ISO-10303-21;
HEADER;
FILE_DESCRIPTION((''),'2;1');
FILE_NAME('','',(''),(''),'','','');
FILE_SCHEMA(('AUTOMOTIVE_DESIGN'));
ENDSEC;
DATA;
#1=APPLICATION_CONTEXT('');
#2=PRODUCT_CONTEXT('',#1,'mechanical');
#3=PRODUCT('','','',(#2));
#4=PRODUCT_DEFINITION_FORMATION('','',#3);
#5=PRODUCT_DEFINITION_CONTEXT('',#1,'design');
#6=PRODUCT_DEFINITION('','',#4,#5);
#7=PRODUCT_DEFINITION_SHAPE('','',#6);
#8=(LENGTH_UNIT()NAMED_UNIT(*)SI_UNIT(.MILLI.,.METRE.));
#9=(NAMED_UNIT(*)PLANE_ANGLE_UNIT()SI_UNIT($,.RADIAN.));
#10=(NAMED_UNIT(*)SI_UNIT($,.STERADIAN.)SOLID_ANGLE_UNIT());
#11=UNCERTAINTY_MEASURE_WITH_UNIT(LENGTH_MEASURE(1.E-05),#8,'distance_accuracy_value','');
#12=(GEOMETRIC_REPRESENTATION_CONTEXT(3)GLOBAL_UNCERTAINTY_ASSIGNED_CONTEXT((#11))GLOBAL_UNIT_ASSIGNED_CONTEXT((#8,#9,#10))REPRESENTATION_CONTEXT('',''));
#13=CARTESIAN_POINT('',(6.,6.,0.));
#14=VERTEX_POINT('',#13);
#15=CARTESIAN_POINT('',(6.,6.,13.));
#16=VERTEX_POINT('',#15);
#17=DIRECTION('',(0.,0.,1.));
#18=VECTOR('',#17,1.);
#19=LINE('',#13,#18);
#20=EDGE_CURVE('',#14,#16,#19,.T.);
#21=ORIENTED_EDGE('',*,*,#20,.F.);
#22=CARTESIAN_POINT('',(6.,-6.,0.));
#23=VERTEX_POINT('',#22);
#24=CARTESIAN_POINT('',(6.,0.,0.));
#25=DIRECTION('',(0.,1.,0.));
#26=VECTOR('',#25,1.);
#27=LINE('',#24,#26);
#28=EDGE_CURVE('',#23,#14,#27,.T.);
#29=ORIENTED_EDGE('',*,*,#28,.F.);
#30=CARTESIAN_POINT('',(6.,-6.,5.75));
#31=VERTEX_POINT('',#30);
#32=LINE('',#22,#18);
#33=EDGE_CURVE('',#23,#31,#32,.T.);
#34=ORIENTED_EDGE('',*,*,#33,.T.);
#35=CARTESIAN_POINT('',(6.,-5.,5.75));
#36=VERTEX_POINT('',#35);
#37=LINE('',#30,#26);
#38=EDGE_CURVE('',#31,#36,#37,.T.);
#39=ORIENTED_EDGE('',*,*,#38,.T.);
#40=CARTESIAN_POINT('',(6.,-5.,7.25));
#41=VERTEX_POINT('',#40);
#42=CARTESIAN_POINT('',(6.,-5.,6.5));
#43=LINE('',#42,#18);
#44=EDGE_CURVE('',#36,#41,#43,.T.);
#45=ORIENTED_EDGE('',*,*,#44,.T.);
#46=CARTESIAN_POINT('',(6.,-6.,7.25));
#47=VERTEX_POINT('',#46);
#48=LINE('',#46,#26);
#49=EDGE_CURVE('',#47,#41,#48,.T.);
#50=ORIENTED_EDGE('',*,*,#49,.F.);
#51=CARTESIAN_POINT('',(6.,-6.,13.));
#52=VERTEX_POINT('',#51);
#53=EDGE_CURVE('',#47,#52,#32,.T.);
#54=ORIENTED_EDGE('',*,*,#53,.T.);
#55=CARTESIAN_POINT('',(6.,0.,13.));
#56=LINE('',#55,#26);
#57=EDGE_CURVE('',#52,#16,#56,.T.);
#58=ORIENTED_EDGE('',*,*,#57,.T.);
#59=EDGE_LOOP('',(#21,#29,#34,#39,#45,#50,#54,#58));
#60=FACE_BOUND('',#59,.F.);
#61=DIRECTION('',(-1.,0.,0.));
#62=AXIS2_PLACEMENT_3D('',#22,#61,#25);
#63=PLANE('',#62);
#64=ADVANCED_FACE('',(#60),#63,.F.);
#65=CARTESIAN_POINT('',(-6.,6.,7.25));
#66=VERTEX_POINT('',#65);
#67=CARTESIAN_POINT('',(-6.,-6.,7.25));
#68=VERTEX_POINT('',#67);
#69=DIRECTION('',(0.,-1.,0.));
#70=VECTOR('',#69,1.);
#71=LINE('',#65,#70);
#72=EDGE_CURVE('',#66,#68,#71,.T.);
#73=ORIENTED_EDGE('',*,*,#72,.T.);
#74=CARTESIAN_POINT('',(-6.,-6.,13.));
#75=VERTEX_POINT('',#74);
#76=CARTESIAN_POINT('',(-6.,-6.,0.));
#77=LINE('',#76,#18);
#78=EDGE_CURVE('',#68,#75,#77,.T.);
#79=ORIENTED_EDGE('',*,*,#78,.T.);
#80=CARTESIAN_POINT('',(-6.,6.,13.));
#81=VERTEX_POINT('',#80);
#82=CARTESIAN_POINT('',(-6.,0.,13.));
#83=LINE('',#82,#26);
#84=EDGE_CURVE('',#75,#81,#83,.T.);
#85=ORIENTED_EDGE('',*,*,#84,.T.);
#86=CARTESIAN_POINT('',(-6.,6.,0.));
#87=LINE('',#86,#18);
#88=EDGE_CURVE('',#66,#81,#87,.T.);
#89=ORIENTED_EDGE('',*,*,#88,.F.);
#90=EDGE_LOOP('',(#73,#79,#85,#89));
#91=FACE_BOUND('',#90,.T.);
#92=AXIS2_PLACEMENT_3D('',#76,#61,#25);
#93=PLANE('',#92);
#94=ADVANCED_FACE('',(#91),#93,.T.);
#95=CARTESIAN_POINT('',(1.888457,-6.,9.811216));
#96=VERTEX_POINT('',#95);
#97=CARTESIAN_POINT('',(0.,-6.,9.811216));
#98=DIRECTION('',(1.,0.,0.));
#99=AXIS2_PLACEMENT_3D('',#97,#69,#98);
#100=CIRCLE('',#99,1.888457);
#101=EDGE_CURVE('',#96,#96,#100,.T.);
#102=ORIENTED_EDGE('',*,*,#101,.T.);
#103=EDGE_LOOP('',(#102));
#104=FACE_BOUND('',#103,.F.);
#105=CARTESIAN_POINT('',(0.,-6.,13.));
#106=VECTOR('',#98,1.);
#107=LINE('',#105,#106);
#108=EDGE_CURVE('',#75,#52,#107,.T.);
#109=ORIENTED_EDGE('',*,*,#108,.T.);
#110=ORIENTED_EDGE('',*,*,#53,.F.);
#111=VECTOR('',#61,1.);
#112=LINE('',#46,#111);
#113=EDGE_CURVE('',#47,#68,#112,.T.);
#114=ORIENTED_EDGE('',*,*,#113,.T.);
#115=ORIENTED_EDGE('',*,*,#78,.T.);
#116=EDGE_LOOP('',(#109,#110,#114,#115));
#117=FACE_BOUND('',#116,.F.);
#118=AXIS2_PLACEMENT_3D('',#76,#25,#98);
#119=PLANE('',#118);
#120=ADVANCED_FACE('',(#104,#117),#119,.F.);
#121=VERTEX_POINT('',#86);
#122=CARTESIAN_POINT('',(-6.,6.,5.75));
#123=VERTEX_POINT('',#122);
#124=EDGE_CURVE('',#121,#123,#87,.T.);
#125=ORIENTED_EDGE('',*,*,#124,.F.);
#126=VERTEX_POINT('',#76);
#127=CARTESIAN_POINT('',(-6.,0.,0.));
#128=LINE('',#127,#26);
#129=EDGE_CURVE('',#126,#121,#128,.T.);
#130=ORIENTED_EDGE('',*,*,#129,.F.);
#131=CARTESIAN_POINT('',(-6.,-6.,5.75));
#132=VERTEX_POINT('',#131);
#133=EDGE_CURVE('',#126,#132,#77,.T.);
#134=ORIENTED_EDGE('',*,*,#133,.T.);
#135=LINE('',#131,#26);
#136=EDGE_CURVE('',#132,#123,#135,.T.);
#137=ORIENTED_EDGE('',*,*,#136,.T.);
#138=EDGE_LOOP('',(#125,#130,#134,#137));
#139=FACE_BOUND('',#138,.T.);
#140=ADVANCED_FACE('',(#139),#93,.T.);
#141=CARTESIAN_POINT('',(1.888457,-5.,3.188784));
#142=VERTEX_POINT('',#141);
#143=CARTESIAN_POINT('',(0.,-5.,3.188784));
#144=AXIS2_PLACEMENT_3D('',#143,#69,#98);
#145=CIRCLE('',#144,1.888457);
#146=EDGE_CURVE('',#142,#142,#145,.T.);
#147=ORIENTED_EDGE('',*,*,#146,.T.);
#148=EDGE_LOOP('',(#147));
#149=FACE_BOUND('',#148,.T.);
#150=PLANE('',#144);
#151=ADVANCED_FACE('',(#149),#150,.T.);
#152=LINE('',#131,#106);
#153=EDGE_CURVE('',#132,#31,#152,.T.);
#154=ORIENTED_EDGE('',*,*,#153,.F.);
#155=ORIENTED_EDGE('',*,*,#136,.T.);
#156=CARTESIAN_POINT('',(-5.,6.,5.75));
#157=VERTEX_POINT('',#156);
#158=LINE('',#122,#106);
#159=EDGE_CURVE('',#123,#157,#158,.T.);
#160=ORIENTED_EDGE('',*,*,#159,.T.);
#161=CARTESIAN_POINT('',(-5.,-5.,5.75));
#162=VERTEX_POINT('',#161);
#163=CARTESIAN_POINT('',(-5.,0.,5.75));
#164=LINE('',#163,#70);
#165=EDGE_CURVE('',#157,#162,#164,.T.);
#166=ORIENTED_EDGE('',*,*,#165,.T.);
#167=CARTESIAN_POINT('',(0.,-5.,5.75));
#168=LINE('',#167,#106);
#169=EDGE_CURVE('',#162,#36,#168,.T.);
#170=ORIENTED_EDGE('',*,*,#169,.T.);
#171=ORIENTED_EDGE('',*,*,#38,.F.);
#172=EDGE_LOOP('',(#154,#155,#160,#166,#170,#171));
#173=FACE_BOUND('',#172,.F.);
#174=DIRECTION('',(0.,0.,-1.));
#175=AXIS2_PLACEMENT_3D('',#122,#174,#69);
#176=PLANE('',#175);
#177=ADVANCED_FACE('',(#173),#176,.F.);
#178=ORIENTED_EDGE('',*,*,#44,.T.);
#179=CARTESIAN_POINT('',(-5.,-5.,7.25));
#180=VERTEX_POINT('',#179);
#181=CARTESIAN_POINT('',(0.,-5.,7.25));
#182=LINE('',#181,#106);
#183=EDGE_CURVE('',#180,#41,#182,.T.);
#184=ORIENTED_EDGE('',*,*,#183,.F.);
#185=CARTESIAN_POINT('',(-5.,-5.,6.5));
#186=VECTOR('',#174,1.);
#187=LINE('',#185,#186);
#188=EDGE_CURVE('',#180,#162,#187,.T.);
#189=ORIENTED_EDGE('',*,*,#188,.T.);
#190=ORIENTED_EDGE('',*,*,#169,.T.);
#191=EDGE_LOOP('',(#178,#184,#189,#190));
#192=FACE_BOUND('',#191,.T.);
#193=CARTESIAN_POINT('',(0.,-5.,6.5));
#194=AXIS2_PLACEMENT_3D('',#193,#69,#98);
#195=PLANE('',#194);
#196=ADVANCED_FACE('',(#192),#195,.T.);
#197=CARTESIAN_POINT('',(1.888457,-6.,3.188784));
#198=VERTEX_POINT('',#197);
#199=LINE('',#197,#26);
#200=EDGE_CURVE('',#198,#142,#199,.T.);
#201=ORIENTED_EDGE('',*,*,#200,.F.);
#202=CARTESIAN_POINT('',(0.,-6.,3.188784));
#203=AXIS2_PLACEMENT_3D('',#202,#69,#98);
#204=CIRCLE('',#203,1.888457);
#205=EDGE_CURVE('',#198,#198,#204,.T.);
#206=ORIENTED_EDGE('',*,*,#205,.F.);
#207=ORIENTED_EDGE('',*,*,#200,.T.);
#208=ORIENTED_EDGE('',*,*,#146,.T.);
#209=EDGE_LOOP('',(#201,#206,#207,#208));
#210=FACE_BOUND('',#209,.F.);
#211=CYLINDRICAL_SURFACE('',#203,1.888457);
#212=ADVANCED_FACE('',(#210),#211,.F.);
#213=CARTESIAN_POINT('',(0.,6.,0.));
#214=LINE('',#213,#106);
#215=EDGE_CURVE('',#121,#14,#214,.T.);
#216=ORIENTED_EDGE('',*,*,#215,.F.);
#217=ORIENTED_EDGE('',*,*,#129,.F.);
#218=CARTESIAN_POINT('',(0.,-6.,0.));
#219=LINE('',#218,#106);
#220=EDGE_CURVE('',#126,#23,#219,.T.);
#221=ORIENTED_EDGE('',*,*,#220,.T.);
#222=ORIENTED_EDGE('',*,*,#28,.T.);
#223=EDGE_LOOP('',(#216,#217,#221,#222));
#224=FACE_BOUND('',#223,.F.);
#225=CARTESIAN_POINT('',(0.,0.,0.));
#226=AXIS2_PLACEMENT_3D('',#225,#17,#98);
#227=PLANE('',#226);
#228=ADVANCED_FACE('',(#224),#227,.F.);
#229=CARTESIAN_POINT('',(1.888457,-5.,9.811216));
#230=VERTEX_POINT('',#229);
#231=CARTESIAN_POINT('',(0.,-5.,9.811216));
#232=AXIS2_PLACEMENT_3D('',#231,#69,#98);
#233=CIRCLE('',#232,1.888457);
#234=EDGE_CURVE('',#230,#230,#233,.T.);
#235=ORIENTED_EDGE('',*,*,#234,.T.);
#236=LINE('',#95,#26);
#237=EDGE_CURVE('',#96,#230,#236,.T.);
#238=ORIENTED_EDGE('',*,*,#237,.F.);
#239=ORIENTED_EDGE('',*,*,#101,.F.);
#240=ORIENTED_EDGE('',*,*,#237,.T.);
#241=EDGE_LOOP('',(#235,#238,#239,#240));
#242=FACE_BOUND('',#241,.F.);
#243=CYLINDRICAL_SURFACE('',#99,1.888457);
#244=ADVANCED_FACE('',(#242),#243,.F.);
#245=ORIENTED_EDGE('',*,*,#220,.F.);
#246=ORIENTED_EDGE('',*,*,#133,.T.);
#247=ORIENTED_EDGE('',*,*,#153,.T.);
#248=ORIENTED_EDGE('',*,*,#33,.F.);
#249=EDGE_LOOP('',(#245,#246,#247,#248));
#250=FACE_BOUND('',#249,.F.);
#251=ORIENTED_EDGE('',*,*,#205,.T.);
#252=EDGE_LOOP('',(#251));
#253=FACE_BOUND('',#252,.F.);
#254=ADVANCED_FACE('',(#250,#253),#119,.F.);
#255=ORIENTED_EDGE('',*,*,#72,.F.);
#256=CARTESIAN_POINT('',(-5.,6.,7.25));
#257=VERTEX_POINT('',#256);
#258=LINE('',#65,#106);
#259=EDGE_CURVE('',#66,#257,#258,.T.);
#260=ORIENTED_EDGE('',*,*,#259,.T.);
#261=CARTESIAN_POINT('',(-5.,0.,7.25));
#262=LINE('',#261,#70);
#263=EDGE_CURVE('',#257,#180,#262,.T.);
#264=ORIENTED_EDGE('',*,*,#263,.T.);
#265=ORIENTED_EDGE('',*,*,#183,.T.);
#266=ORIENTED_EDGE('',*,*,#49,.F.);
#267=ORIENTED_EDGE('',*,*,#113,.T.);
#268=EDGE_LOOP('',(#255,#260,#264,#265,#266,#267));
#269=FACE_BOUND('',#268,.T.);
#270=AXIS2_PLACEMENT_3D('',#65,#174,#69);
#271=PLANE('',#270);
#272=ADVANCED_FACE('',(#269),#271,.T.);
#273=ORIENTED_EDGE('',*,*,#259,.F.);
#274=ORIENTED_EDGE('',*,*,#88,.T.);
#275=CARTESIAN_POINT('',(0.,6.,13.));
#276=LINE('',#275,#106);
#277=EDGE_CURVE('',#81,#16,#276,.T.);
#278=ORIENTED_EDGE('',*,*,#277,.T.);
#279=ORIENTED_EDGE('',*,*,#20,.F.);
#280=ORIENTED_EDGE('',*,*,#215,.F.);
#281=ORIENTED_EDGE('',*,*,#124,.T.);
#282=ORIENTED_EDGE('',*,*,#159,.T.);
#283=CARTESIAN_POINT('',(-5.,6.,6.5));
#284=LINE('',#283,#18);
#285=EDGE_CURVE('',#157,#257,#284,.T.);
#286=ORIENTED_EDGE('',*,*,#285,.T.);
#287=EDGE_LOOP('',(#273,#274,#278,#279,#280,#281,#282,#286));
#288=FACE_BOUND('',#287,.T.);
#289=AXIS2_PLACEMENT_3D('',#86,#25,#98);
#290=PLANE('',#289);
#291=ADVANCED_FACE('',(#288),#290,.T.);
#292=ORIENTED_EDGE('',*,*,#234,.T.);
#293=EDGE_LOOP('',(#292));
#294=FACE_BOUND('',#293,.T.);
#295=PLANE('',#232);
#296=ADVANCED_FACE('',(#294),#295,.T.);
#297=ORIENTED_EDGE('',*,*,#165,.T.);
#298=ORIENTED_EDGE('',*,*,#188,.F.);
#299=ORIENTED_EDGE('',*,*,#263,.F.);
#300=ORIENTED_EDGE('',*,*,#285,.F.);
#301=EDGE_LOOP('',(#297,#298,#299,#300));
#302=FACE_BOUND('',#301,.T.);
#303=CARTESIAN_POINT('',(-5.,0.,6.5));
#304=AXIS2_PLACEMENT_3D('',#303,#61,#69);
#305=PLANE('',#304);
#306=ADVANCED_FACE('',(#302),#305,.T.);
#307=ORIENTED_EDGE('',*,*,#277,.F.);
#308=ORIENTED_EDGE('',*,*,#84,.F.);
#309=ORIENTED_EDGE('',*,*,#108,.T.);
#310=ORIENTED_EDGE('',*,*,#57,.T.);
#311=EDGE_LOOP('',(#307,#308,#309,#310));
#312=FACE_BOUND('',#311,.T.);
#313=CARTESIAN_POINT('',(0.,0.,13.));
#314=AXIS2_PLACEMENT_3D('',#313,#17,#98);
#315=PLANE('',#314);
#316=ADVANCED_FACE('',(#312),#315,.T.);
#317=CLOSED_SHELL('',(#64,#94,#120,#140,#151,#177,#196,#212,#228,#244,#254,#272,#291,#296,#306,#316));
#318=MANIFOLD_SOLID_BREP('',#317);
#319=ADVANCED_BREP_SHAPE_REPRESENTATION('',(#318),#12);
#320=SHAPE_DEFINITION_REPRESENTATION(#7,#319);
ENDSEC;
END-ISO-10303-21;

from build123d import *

# Parameters (mm, degrees)
F0_W     = 12
F0_H     = 12
F1_DEPTH = 13
F2_W     = 12
F2_H     = 1.5
F2_R     = 1.888457
F3_DEPTH = 1
F4_W     = 12
F4_H     = 1.5
F5_DEPTH = 1


with BuildPart() as f1:
    # F0 (on Top) → F1 (new body)
    with BuildSketch(Plane.XY):
        Rectangle(F0_W, F0_H)
    extrude(amount=F1_DEPTH)

    # F2 (on face) → F3 (cut)
    with BuildSketch(Plane.XZ.offset(6)):
        with Locations((0, 6.5)):
            Rectangle(F2_W, F2_H)
        with Locations((0, 9.811216)):
            Circle(F2_R)
        with Locations((0, 3.188784)):
            Circle(F2_R)
    extrude(amount=-F3_DEPTH, mode=Mode.SUBTRACT)

    # F4 (on face) → F5 (cut)
    with BuildSketch(Plane(origin=(-6, 0, 0), x_dir=(0, -1, 0), z_dir=(-1, 0, 0))):
        with Locations((0, 6.5)):
            Rectangle(F4_W, F4_H)
    extrude(amount=-F5_DEPTH, mode=Mode.SUBTRACT)


solid = f1.part
